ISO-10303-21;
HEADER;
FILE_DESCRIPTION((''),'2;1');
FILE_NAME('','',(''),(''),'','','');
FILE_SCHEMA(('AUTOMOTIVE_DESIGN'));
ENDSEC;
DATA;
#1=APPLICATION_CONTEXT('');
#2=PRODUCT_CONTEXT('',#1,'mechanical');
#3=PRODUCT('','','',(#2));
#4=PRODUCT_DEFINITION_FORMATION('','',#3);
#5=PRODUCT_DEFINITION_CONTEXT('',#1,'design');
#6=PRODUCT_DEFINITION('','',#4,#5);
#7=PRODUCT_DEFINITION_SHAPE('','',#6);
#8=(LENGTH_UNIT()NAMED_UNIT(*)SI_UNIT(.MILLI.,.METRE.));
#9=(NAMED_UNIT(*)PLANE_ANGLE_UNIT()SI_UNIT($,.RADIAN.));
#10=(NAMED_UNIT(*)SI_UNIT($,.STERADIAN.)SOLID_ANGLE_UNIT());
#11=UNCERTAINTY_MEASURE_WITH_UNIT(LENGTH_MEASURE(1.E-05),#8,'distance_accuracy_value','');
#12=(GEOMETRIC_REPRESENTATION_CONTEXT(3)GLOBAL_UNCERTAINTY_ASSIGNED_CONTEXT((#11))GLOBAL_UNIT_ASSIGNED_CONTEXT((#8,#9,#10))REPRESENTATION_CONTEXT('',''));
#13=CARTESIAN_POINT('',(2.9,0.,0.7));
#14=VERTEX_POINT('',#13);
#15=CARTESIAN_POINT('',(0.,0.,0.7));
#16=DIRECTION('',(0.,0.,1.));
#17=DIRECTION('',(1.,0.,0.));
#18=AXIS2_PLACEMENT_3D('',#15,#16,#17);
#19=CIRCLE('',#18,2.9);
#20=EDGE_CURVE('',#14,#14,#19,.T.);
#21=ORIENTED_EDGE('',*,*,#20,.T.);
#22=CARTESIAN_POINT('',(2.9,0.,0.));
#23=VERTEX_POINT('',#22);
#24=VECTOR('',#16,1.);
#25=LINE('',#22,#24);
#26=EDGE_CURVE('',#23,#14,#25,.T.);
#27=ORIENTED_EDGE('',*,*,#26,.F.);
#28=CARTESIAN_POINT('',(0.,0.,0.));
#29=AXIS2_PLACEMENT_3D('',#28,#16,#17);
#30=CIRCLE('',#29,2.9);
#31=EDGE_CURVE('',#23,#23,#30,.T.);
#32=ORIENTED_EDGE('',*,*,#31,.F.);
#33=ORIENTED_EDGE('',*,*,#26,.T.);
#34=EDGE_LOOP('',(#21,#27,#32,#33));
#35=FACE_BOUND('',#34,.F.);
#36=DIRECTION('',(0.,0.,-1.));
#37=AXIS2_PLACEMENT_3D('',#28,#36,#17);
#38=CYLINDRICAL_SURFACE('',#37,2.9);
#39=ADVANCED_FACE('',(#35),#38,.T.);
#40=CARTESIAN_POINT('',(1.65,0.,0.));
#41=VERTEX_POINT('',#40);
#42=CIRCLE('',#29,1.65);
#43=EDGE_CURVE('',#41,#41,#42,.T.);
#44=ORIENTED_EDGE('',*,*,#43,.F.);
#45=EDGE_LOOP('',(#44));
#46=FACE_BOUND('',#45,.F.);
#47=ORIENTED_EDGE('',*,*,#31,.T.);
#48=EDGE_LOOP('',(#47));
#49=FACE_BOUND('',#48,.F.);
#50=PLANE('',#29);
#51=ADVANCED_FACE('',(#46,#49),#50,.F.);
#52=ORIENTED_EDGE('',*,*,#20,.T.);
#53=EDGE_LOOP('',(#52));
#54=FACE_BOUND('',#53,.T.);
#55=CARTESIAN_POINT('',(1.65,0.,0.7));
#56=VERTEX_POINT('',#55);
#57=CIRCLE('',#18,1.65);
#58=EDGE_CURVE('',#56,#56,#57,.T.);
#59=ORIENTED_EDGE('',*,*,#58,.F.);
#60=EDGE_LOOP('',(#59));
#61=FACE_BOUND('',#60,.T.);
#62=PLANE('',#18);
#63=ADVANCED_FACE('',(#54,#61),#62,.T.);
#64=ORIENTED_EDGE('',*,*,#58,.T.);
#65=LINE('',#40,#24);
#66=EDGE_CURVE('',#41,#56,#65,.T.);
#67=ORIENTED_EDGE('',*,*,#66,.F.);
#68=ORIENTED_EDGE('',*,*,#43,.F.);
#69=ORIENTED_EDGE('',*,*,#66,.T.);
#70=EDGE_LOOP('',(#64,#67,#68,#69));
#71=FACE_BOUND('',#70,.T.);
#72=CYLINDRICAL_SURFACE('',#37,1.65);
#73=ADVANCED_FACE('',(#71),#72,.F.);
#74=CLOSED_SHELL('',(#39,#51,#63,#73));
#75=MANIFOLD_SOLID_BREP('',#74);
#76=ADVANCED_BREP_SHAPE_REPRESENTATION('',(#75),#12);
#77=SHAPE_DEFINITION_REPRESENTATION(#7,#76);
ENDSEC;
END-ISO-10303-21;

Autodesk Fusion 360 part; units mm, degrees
sketch "Sketch1" plane through (0, 0, 0) normal (0, 0, 1) x (1, 0, 0)
  circle A0 centre (0, 0) radius 1.65
  circle A1 centre (0, 0) radius 2.9
  dimension "d1" = 3.3
  dimension "d2" = 5.8
extrude "Extrude1" add sketch "Sketch1" along normal blind 0.7
